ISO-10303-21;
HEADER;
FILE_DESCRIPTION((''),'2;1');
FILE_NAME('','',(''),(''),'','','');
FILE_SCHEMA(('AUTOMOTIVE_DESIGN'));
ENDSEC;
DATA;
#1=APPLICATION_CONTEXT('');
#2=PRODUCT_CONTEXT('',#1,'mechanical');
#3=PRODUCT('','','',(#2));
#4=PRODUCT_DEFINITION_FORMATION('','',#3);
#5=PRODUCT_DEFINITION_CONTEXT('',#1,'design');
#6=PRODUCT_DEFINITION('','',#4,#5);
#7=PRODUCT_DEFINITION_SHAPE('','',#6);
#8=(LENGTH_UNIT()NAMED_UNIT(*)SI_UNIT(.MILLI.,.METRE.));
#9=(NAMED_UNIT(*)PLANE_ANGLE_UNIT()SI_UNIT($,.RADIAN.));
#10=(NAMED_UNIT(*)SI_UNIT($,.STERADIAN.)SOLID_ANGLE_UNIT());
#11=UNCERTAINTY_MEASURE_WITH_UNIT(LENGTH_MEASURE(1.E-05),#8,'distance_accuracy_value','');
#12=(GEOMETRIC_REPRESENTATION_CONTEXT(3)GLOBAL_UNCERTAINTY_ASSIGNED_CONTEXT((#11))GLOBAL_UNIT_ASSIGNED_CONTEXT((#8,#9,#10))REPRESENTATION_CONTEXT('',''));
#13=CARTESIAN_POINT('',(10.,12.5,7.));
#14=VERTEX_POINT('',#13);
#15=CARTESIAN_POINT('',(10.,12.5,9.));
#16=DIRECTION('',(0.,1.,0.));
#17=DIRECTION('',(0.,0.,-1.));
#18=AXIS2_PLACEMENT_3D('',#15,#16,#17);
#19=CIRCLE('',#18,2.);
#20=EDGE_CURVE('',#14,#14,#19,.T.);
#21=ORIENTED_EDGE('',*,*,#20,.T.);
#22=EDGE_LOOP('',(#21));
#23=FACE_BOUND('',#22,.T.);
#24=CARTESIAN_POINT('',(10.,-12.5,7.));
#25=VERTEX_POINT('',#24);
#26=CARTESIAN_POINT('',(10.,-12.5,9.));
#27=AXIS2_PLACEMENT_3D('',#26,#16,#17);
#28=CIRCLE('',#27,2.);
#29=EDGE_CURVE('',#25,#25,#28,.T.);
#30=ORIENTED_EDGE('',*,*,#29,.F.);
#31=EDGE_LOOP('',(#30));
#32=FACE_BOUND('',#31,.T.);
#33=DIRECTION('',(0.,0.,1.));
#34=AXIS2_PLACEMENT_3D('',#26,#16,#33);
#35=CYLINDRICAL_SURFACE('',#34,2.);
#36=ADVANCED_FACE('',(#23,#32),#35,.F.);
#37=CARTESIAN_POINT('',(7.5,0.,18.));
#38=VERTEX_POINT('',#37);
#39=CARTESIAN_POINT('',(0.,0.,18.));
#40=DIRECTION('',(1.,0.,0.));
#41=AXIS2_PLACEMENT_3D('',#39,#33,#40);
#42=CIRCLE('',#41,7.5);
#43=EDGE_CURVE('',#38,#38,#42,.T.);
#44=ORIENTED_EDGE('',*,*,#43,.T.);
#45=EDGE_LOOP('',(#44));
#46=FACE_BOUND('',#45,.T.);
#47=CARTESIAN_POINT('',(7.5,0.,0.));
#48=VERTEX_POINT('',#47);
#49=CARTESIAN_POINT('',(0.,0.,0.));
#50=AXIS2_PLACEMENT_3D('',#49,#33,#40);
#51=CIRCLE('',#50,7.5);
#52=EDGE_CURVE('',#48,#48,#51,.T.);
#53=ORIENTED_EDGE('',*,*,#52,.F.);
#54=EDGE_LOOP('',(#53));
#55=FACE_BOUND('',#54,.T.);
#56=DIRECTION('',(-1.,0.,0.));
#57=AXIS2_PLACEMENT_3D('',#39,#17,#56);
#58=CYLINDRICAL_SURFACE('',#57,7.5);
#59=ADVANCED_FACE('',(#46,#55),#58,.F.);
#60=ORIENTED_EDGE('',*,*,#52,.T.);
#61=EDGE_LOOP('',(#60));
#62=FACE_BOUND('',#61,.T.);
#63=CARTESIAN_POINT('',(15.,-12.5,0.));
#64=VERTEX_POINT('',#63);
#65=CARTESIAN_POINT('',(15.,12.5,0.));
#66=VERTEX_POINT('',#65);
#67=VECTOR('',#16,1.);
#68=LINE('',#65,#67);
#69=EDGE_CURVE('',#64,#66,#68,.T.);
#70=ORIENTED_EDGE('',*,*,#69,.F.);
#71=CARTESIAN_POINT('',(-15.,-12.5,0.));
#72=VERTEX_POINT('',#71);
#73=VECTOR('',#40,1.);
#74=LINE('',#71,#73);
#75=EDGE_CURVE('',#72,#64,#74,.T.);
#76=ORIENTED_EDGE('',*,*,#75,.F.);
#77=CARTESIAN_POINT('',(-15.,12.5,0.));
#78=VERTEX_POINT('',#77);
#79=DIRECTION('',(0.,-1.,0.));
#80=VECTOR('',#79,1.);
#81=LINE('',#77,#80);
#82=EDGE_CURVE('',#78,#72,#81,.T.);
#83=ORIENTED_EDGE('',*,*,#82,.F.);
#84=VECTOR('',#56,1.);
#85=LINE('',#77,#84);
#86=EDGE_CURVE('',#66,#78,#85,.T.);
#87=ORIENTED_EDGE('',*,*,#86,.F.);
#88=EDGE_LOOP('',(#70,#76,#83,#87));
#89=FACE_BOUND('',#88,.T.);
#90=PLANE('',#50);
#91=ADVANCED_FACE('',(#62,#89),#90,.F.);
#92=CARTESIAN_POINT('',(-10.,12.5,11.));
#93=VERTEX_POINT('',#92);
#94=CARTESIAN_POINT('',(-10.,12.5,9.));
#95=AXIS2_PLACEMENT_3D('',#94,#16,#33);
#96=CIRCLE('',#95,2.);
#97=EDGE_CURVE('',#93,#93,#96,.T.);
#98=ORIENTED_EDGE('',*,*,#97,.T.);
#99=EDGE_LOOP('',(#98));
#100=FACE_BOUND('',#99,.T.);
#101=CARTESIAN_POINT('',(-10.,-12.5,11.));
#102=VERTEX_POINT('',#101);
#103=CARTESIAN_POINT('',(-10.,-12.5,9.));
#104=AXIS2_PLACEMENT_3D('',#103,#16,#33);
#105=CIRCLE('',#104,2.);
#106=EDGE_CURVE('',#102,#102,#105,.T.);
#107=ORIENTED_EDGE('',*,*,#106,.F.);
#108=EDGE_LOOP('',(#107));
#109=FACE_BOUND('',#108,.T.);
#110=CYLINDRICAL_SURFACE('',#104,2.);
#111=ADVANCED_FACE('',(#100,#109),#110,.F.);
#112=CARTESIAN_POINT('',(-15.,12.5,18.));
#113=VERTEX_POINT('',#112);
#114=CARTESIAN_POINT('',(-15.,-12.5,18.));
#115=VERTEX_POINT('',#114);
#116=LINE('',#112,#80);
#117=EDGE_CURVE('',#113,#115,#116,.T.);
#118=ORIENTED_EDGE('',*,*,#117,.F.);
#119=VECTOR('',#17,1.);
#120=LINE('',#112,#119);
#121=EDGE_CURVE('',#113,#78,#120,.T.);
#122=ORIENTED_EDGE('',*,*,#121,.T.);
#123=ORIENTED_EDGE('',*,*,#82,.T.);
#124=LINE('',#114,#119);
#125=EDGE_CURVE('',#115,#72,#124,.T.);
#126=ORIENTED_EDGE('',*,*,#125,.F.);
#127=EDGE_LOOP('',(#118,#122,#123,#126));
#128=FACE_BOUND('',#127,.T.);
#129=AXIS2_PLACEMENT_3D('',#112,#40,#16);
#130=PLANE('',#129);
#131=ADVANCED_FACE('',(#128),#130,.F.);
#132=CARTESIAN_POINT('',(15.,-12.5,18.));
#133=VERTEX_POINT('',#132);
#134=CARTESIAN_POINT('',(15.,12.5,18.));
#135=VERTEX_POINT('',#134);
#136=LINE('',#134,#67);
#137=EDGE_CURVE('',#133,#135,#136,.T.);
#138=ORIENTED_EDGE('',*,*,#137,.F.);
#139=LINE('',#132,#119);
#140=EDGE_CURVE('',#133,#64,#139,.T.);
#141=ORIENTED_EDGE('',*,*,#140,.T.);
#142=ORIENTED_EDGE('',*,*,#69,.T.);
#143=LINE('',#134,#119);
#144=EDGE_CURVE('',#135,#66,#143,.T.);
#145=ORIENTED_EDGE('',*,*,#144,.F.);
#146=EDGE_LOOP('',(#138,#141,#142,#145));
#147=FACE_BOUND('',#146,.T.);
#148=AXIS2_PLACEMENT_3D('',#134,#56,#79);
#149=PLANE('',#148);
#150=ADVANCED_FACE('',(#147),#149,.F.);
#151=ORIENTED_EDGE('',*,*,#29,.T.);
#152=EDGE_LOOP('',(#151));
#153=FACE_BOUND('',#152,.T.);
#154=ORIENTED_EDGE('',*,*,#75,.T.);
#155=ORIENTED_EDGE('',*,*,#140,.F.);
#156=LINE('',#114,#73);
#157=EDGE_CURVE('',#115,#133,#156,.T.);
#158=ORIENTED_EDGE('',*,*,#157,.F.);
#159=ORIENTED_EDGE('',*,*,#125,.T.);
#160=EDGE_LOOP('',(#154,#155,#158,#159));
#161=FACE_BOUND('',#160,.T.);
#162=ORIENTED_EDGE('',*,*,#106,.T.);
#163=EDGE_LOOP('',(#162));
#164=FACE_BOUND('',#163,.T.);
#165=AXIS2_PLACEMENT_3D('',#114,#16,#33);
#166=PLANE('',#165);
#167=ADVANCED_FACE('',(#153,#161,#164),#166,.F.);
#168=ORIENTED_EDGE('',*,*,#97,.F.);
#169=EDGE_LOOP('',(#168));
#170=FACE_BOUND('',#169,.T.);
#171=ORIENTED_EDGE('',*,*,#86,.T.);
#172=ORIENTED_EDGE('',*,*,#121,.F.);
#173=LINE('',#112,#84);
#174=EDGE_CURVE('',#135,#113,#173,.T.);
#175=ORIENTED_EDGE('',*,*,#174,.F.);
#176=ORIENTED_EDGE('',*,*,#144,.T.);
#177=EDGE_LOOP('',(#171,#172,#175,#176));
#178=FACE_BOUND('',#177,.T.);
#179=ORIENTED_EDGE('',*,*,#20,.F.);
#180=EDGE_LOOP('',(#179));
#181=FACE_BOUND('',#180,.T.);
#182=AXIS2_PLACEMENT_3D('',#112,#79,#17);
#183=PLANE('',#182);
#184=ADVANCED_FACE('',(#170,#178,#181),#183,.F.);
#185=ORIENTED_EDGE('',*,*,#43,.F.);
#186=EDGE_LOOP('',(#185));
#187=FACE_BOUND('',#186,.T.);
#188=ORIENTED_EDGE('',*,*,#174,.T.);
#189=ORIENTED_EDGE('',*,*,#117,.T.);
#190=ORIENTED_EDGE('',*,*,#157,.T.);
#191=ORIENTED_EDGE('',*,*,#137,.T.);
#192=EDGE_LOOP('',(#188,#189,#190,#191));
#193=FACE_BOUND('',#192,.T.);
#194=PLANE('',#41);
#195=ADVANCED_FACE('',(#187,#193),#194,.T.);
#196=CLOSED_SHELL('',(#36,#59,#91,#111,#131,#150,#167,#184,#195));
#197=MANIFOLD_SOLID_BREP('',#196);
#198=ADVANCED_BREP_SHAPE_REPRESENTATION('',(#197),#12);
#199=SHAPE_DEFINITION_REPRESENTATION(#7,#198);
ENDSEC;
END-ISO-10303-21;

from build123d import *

# Parameters (mm, degrees)
SKETCH1_W           = 30
SKETCH1_H           = 25
SKETCH1_R           = 7.5
BOSS_EXTRUDE1_DEPTH = 18
SKETCH3_R           = 2
CUT_EXTRUDE1_DEPTH  = 35.263683398


with BuildPart() as part:
    # Sketch1 → Boss-Extrude1 (new body)
    with BuildSketch(Plane.XY):
        Rectangle(SKETCH1_W, SKETCH1_H)
        Circle(SKETCH1_R, mode=Mode.SUBTRACT)
    extrude(amount=BOSS_EXTRUDE1_DEPTH)

    # Sketch3 → Cut-Extrude1 (cut, through all)
    with BuildSketch(Plane(origin=(0, 12.5, 0), x_dir=(1, 0, 0), z_dir=(0, 1, 0))):
        with Locations(Location((-10, -9, 0), (0, 0, 270))):
            Circle(SKETCH3_R)
        with Locations(Location((10, -9, 0), (0, 0, 90))):
            Circle(SKETCH3_R)
    extrude(amount=-CUT_EXTRUDE1_DEPTH, mode=Mode.SUBTRACT)


solid = part.part
